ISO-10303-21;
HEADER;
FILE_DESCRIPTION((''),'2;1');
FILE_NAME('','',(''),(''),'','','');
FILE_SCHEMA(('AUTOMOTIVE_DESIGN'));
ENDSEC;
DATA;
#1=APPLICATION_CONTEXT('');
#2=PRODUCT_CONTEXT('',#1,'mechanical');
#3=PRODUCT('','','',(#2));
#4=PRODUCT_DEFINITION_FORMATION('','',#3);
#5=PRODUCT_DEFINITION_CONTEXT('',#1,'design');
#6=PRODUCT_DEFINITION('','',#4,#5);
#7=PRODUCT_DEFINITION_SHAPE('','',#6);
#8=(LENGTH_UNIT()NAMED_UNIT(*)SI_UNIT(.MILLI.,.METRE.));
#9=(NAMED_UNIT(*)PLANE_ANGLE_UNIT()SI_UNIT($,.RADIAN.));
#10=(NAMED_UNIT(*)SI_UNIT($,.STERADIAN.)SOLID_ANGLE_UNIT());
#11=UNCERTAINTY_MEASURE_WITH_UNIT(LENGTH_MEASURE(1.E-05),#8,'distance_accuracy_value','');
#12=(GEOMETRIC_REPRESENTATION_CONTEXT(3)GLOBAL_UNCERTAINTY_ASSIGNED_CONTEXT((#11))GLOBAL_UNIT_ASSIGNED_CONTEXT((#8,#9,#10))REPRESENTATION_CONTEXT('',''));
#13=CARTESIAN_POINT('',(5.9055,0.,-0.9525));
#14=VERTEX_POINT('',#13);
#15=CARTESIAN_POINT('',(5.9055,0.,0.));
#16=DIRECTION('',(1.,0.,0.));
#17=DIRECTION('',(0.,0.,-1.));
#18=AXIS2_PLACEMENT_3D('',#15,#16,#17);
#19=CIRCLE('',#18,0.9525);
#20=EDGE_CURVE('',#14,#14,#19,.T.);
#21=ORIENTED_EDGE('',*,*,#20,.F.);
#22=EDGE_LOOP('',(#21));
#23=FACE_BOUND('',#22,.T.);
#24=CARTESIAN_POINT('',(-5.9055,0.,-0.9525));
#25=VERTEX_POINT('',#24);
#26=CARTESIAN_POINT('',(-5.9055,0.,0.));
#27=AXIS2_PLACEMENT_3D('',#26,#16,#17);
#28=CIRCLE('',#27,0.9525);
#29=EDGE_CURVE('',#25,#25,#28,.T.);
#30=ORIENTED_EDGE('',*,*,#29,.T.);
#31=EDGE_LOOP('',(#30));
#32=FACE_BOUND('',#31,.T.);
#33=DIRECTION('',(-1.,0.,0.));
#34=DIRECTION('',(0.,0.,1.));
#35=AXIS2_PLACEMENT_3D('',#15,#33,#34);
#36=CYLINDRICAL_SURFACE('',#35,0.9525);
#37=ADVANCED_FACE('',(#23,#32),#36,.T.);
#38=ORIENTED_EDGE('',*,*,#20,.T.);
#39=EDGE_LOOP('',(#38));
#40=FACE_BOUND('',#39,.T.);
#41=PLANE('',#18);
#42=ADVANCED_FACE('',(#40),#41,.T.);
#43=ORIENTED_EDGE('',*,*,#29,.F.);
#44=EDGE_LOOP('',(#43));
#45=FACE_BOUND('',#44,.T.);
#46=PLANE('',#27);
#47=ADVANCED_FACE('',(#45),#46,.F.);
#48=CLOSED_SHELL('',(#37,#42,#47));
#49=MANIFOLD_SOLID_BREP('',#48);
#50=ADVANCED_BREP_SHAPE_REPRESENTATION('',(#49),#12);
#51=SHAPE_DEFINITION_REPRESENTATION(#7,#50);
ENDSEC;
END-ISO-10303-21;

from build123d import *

# Parameters (mm, degrees)
SKETCH1_R           = 0.9525
BOSS_EXTRUDE1_DEPTH = 5.9055


with BuildPart() as part:
    # Sketch1 → Boss-Extrude1 (new body, symmetric)
    with BuildSketch(Plane(origin=(0, 0, 0), x_dir=(0, 0, -1), z_dir=(1, 0, 0))):
        Circle(SKETCH1_R)
    extrude(amount=BOSS_EXTRUDE1_DEPTH, both=True)


solid = part.part
